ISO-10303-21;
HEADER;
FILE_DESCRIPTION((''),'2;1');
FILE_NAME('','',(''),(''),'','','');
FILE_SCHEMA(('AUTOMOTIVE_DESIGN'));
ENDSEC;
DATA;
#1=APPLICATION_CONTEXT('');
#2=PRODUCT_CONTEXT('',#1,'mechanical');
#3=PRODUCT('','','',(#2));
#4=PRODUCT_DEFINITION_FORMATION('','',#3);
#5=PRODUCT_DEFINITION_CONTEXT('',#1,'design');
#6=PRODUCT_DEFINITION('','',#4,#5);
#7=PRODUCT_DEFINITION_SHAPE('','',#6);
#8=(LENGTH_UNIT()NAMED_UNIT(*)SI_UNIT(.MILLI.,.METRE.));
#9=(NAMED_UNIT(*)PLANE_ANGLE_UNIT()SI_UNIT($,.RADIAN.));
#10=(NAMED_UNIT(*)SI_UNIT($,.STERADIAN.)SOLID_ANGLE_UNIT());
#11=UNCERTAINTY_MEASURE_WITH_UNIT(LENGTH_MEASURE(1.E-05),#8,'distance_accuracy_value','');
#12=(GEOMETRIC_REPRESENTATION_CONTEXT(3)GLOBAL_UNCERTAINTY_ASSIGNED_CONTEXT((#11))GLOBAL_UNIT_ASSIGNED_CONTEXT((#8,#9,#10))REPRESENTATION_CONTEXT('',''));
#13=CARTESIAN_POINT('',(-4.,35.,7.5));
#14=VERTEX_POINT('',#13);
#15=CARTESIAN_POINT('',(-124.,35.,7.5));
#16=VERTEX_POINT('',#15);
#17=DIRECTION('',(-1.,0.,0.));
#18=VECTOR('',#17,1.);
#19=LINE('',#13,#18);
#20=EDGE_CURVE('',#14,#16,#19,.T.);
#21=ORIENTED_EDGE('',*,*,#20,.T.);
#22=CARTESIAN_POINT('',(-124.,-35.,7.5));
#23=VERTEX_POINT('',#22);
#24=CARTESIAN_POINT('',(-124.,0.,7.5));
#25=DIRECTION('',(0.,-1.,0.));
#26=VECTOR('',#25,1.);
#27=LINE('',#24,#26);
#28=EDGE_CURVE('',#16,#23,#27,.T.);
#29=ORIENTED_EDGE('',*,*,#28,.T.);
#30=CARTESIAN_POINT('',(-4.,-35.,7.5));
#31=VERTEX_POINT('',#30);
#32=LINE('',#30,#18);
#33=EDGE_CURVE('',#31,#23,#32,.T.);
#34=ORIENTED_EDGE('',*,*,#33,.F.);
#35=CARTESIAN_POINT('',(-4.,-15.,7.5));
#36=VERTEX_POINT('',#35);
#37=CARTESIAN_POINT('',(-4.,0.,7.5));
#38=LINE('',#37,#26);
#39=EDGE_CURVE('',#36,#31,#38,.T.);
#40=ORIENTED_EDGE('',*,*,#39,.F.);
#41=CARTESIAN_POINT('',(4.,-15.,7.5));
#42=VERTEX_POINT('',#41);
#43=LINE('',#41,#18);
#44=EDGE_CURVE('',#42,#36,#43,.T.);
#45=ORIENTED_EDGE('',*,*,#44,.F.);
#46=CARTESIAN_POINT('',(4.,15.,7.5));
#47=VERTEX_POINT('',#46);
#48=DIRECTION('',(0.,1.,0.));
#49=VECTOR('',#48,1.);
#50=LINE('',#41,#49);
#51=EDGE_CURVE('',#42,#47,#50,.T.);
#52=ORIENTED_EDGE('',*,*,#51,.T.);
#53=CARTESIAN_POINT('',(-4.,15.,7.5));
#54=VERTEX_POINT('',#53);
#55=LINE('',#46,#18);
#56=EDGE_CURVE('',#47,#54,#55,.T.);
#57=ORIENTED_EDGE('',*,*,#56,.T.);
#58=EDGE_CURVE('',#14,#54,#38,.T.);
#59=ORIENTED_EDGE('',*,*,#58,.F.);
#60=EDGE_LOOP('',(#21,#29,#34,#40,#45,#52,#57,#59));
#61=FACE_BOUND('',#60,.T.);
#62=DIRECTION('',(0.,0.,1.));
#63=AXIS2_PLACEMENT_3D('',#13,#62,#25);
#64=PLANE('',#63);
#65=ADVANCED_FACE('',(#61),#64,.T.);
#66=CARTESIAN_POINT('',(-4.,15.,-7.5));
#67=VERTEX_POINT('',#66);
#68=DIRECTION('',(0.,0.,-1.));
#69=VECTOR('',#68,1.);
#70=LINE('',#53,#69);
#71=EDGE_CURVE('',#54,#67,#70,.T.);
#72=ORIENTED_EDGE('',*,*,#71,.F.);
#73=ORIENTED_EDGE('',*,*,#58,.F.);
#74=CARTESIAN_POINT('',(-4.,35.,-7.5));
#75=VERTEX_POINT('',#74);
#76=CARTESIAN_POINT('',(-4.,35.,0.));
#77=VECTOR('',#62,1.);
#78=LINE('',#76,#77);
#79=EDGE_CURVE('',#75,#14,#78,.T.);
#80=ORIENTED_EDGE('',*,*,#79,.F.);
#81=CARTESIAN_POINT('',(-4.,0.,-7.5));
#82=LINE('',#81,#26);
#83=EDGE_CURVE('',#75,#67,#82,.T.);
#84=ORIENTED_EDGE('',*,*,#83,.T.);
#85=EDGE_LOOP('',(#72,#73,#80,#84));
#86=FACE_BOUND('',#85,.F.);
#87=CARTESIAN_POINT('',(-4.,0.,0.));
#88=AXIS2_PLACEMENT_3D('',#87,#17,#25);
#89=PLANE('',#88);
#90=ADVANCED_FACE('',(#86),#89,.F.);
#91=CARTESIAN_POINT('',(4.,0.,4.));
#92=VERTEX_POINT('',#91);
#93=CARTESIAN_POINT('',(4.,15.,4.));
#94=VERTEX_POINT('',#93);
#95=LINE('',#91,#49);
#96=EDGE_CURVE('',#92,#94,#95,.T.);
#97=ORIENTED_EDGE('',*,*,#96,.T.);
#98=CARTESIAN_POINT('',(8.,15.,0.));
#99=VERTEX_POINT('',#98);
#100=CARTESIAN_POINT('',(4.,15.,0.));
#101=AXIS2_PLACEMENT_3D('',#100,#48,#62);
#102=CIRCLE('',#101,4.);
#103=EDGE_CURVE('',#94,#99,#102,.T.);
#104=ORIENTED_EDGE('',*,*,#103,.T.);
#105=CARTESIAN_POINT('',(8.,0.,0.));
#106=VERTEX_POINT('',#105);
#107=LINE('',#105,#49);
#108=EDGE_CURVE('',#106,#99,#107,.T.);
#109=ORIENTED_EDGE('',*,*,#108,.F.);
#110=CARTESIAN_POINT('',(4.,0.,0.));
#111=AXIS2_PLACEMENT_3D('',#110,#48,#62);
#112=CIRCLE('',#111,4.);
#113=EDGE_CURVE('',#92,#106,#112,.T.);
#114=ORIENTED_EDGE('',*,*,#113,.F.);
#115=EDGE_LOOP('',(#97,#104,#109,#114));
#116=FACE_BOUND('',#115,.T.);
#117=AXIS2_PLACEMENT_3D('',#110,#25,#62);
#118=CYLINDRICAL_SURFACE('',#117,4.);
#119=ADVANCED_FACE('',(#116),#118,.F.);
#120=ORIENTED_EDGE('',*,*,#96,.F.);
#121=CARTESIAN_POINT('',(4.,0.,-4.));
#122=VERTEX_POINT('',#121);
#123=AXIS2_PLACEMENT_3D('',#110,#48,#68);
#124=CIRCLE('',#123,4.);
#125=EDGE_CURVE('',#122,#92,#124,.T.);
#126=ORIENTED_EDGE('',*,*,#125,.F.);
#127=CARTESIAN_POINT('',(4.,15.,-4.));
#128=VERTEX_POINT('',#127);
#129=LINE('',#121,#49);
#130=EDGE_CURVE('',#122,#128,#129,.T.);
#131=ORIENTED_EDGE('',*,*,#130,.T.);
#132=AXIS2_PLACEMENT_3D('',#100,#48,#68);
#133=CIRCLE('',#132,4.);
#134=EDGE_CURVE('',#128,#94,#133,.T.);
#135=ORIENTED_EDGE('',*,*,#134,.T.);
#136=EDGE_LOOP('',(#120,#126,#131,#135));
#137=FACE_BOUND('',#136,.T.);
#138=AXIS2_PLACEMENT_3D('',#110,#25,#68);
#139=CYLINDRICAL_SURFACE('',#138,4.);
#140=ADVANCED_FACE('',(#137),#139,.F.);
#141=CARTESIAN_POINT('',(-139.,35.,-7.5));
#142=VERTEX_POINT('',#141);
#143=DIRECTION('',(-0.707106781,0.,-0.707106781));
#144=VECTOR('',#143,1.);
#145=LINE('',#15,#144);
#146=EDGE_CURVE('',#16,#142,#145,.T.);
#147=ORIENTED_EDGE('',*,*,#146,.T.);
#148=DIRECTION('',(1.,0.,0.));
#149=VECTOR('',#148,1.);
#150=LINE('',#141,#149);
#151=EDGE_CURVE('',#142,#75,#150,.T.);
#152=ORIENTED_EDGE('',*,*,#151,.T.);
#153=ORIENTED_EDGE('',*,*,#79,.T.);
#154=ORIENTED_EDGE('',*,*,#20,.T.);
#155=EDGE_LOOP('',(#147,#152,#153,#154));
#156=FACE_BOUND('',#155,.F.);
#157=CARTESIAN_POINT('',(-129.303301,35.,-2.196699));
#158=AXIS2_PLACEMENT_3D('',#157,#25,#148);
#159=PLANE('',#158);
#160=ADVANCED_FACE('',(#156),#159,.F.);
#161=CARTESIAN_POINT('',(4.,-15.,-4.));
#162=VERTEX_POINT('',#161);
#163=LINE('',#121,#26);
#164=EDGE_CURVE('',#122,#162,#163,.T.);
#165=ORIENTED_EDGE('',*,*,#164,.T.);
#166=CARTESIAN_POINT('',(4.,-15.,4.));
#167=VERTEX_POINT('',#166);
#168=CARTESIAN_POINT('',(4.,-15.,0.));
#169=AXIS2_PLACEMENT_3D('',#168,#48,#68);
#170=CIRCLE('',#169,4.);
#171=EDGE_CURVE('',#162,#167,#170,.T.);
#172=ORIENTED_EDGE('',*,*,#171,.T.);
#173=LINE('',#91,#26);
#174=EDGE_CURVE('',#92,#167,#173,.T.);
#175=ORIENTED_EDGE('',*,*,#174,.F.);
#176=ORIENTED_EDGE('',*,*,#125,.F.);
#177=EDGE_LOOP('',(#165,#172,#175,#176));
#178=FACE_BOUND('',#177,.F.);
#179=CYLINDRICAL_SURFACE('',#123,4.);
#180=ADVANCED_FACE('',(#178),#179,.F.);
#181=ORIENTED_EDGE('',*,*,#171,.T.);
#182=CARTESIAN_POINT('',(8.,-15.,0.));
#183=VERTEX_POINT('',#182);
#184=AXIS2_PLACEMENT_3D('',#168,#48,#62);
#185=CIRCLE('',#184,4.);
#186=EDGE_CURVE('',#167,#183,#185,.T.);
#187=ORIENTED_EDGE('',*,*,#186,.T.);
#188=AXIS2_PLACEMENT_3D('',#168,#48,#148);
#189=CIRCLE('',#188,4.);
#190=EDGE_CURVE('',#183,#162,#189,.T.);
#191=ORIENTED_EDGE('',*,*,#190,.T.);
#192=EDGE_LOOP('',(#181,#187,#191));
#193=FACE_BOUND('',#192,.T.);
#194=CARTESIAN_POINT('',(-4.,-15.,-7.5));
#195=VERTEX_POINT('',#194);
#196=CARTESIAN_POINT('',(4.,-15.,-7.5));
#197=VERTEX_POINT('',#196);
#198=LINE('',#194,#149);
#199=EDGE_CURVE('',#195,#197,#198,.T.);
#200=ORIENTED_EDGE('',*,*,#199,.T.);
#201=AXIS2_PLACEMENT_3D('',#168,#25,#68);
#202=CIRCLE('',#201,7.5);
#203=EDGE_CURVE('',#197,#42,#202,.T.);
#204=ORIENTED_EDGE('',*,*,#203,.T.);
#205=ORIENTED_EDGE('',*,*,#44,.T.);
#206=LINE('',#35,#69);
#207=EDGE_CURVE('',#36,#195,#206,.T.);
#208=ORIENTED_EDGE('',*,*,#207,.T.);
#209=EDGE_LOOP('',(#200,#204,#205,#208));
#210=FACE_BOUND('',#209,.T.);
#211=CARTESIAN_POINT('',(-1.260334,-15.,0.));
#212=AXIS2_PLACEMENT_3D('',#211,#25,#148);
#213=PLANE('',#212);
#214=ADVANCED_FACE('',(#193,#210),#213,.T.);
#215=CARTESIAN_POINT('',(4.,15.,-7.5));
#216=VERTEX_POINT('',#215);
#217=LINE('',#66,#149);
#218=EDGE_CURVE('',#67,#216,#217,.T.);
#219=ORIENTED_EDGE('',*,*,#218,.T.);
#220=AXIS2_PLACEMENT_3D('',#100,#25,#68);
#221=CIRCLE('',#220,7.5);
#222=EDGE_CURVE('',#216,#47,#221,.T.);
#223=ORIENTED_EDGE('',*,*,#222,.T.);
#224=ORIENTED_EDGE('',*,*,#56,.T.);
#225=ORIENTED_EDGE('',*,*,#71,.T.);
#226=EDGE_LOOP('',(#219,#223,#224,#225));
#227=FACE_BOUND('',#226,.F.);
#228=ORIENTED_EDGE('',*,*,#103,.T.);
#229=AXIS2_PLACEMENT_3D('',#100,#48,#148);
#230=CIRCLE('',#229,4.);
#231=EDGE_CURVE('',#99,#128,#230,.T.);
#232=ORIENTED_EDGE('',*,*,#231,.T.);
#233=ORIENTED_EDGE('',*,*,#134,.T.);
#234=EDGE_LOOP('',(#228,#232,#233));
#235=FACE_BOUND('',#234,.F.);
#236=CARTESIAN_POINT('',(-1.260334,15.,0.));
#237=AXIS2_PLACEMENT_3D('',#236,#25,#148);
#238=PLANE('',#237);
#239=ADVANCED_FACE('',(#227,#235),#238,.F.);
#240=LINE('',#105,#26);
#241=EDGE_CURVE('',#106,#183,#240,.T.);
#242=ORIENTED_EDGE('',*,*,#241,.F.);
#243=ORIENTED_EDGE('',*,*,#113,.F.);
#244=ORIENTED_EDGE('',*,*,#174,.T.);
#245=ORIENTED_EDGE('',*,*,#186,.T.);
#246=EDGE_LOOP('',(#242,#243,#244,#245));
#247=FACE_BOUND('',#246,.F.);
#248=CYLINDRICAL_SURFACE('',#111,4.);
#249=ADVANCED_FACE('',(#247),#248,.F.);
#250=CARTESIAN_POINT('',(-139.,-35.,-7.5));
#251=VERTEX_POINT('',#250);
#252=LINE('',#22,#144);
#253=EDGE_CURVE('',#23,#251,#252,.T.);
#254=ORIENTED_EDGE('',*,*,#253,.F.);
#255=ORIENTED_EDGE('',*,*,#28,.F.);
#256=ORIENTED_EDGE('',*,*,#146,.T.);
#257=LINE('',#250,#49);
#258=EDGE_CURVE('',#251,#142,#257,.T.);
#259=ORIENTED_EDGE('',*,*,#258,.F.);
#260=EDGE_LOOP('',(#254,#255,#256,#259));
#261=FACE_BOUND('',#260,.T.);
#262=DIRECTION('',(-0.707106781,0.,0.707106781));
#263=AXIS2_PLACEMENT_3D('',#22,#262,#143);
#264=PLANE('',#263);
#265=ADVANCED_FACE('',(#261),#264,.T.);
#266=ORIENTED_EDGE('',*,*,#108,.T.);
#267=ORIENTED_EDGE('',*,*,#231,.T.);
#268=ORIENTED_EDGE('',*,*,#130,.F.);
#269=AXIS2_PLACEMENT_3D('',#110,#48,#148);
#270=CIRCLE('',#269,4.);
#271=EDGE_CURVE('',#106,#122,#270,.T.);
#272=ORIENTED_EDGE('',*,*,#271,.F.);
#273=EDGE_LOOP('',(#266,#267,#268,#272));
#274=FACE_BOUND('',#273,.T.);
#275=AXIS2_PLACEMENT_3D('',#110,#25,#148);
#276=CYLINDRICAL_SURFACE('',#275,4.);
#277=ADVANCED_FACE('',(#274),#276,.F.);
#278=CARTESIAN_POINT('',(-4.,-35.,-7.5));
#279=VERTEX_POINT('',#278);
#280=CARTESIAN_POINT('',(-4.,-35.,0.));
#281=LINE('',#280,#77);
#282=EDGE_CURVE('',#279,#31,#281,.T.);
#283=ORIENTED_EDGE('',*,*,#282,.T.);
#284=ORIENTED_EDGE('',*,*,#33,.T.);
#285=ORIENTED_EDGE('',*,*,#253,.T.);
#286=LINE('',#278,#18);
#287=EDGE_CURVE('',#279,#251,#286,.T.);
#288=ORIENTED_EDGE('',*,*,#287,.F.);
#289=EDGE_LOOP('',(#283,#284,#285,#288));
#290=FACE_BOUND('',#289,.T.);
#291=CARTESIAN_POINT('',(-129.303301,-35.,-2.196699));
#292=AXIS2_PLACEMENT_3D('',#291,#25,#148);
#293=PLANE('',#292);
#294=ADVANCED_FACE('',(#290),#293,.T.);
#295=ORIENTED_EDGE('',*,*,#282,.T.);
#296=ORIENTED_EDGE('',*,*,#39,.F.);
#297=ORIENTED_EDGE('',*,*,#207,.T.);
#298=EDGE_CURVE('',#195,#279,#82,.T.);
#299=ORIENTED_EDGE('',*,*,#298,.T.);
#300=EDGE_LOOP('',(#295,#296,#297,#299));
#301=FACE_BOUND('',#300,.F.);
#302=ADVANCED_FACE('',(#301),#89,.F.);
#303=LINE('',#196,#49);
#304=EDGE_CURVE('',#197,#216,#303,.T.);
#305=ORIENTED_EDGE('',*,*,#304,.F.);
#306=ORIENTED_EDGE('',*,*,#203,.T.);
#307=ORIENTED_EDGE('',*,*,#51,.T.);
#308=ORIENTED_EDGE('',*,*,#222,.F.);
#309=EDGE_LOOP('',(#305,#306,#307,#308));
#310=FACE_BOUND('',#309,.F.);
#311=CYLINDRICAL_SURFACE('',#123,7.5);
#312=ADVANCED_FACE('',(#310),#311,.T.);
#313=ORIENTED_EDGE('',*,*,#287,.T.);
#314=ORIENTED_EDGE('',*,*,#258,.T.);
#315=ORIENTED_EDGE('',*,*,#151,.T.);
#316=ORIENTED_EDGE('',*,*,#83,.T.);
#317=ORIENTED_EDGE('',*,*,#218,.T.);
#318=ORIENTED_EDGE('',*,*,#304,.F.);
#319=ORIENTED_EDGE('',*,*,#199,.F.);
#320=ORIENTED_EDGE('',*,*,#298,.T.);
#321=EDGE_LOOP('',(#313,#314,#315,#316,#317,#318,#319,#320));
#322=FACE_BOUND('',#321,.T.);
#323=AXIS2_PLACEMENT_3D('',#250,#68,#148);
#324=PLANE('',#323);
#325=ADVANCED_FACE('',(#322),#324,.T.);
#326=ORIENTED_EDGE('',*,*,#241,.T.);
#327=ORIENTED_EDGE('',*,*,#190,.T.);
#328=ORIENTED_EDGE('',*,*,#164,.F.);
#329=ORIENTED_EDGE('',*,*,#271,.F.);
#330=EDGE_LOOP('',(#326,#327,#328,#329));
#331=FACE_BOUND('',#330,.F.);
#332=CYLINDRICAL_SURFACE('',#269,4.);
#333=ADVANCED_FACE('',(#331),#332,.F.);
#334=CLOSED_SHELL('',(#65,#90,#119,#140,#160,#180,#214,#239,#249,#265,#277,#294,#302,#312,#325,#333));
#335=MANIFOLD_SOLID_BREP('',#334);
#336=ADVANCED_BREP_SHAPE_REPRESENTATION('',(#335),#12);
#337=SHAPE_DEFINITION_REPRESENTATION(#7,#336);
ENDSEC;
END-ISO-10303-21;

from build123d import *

# Parameters (mm, degrees)
F1_DEPTH = 15
F2_DEPTH = 15
F3_W     = 70
F3_H     = 15
F4_DEPTH = 120
F6_DEPTH = 70


with BuildPart() as f1:
    # F0 (on Front) → F1 (new body)
    with BuildSketch(Plane.XZ):
        with BuildLine():
            Line((4, 7.5), (-4, 7.5))
            Line((-4, 7.5), (-4, -7.5))
            Line((-4, -7.5), (4, -7.5))
            ThreePointArc((4, -7.5), (-3.5, 0), (4, 7.5))
        make_face()
        with BuildLine():
            ThreePointArc((11.5, 0), (9.3033008589, 5.3033008589), (4, 7.5))
            Line((4, 7.5), (4, 4))
            ThreePointArc((4, 4), (6.8284271247, 2.8284271247), (8, 0))
            ThreePointArc((8, 0), (6.8284271247, -2.8284271247), (4, -4))
            Line((4, -4), (4, -7.5))
            ThreePointArc((4, -7.5), (9.3033008589, -5.3033008589), (11.5, 0))
        make_face()
        with BuildLine():
            Line((4, 4), (4, 7.5))
            ThreePointArc((4, 7.5), (-3.5, 0), (4, -7.5))
            Line((4, -7.5), (4, -4))
            ThreePointArc((4, -4), (0, 0), (4, 4))
        make_face()
    extrude(amount=-F1_DEPTH)

    # F2 (add): a face of the model
    f2_faces = [f1.faces().sort_by_distance(p)[0] for p in [
        (0, 0, 7.2843034539),
    ]]
    extrude(f2_faces, amount=F2_DEPTH)

    # F3 (on face) → F4 (join)
    with BuildSketch(Plane(origin=(-4, 0, 0), x_dir=(0, -1, 0), z_dir=(-1, 0, 0))):
        Rectangle(F3_W, F3_H)
    extrude(amount=F4_DEPTH)

    # F5 (on face) → F6 (join)
    with BuildSketch(Plane.XZ.offset(35)):
        Polygon((-139, -7.5), (-124, -7.5), (-124, 7.5), align=None)
    extrude(amount=-F6_DEPTH)


solid = f1.part
